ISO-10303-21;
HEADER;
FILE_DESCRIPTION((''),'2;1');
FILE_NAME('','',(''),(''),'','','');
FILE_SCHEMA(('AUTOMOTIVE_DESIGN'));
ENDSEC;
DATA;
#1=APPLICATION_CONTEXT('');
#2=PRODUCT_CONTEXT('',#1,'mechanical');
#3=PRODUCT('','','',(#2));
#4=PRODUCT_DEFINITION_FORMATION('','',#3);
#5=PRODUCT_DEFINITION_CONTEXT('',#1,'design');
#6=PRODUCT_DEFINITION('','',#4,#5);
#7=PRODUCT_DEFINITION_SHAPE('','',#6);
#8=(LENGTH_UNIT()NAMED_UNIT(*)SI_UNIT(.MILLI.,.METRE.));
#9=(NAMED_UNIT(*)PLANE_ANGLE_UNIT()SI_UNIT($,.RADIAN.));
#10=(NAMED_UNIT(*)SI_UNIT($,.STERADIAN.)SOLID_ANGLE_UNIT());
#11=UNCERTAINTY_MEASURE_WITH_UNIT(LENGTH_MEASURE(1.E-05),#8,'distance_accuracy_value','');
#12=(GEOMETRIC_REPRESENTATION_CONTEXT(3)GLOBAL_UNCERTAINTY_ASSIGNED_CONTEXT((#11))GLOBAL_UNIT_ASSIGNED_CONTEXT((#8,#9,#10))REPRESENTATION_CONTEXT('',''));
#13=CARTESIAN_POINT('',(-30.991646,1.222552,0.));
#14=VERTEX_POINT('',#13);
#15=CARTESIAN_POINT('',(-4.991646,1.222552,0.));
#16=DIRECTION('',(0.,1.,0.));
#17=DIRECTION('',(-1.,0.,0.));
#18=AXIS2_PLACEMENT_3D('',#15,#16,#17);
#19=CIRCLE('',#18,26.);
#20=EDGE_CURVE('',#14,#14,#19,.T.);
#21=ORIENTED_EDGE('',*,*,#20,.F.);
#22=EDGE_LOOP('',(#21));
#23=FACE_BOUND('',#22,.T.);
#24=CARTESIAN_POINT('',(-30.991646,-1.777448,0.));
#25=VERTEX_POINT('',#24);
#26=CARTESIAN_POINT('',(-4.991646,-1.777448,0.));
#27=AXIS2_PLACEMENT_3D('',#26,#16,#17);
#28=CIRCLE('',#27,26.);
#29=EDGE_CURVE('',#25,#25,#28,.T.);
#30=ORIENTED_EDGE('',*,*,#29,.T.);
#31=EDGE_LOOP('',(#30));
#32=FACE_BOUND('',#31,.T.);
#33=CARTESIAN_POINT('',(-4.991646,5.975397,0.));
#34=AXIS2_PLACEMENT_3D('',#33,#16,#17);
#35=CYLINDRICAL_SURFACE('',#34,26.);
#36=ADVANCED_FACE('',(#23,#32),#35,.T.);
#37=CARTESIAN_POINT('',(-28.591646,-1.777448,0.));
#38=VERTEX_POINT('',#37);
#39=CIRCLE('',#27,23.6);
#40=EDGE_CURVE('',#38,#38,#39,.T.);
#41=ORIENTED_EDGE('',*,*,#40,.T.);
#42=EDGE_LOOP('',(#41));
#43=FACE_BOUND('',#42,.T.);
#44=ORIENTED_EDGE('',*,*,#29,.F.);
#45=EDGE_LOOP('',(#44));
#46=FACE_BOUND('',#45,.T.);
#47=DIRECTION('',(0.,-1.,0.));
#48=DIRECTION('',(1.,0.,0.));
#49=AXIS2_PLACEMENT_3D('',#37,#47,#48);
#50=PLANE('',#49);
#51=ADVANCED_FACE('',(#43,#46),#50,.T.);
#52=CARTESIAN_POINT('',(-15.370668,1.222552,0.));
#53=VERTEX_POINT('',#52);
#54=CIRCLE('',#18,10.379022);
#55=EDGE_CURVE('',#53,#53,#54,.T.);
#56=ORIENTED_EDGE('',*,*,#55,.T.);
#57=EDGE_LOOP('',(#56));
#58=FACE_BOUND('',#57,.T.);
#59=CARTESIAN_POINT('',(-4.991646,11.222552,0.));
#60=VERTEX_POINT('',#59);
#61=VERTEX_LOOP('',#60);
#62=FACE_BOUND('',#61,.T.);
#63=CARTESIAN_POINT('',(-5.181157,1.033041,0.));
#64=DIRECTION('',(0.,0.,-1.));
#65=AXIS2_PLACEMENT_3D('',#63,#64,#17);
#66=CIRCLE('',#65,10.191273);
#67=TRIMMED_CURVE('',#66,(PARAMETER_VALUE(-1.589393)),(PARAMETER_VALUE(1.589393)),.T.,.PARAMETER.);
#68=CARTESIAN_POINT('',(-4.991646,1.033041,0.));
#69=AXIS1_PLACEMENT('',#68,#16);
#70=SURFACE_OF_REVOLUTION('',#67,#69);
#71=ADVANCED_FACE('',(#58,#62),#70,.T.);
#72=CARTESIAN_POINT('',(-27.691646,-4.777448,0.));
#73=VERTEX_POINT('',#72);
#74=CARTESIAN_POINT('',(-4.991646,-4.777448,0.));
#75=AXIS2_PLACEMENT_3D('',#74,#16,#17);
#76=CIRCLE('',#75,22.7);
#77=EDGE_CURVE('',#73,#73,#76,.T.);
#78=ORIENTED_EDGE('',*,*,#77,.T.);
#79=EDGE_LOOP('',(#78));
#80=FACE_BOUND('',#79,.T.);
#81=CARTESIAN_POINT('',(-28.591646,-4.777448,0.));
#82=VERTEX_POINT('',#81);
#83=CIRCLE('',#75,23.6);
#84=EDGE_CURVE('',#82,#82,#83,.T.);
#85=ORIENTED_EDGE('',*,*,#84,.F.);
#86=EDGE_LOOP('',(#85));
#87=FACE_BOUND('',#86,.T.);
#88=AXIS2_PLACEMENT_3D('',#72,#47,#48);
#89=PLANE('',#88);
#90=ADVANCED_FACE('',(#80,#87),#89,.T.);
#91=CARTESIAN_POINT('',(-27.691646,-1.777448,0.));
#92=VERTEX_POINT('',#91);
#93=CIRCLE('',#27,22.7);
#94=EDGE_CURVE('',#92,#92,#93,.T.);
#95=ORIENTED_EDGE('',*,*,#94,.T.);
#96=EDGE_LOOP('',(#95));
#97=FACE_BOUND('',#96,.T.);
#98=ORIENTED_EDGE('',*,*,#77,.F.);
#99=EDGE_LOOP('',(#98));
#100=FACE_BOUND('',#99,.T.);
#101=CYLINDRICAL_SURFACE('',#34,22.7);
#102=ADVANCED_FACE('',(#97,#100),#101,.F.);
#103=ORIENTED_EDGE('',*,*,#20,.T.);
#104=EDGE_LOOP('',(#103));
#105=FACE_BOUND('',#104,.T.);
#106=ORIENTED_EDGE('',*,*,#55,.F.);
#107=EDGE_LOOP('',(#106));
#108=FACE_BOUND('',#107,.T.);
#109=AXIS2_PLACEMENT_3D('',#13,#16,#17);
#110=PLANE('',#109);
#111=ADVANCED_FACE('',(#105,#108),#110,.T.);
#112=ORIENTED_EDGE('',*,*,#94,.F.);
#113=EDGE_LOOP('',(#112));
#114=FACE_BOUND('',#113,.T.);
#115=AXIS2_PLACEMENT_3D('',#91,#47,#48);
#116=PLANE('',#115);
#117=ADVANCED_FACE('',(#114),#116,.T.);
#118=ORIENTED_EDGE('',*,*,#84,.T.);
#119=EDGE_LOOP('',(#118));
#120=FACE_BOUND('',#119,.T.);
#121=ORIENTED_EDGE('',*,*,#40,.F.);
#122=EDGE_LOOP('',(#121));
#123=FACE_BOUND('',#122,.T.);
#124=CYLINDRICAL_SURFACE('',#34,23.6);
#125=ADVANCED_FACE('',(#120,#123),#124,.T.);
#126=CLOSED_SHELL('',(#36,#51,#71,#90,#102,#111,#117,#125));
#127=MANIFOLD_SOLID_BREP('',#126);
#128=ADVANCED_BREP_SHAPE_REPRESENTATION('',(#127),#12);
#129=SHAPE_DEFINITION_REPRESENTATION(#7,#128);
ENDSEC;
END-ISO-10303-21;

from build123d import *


with BuildPart() as part:
    # Croquis1 → Revolución1 (revolve)
    with BuildSketch(Plane.XY):
        with BuildLine():
            Line((-27.691646337, -4.777448071), (-27.691646337, -1.777448071))
            Line((-27.691646337, -1.777448071), (-4.991646337, -1.777448071))
            Line((-4.991646337, -1.777448071), (-4.991646337, 11.222551929))
            ThreePointArc((-4.991646337, 11.222551929), (-12.252224974, 8.372117695), (-15.370667987, 1.222551929))
            Line((-15.370667987, 1.222551929), (-30.991646337, 1.222551929))
            Line((-30.991646337, 1.222551929), (-30.991646337, -1.777448071))
            Line((-30.991646337, -1.777448071), (-28.591646337, -1.777448071))
            Line((-28.591646337, -1.777448071), (-28.591646337, -4.777448071))
            Line((-28.591646337, -4.777448071), (-27.691646337, -4.777448071))
        make_face()
    revolve(axis=Axis((-4.991646337, 5.975396892, 0), (0, -1, 0)))


solid = part.part
